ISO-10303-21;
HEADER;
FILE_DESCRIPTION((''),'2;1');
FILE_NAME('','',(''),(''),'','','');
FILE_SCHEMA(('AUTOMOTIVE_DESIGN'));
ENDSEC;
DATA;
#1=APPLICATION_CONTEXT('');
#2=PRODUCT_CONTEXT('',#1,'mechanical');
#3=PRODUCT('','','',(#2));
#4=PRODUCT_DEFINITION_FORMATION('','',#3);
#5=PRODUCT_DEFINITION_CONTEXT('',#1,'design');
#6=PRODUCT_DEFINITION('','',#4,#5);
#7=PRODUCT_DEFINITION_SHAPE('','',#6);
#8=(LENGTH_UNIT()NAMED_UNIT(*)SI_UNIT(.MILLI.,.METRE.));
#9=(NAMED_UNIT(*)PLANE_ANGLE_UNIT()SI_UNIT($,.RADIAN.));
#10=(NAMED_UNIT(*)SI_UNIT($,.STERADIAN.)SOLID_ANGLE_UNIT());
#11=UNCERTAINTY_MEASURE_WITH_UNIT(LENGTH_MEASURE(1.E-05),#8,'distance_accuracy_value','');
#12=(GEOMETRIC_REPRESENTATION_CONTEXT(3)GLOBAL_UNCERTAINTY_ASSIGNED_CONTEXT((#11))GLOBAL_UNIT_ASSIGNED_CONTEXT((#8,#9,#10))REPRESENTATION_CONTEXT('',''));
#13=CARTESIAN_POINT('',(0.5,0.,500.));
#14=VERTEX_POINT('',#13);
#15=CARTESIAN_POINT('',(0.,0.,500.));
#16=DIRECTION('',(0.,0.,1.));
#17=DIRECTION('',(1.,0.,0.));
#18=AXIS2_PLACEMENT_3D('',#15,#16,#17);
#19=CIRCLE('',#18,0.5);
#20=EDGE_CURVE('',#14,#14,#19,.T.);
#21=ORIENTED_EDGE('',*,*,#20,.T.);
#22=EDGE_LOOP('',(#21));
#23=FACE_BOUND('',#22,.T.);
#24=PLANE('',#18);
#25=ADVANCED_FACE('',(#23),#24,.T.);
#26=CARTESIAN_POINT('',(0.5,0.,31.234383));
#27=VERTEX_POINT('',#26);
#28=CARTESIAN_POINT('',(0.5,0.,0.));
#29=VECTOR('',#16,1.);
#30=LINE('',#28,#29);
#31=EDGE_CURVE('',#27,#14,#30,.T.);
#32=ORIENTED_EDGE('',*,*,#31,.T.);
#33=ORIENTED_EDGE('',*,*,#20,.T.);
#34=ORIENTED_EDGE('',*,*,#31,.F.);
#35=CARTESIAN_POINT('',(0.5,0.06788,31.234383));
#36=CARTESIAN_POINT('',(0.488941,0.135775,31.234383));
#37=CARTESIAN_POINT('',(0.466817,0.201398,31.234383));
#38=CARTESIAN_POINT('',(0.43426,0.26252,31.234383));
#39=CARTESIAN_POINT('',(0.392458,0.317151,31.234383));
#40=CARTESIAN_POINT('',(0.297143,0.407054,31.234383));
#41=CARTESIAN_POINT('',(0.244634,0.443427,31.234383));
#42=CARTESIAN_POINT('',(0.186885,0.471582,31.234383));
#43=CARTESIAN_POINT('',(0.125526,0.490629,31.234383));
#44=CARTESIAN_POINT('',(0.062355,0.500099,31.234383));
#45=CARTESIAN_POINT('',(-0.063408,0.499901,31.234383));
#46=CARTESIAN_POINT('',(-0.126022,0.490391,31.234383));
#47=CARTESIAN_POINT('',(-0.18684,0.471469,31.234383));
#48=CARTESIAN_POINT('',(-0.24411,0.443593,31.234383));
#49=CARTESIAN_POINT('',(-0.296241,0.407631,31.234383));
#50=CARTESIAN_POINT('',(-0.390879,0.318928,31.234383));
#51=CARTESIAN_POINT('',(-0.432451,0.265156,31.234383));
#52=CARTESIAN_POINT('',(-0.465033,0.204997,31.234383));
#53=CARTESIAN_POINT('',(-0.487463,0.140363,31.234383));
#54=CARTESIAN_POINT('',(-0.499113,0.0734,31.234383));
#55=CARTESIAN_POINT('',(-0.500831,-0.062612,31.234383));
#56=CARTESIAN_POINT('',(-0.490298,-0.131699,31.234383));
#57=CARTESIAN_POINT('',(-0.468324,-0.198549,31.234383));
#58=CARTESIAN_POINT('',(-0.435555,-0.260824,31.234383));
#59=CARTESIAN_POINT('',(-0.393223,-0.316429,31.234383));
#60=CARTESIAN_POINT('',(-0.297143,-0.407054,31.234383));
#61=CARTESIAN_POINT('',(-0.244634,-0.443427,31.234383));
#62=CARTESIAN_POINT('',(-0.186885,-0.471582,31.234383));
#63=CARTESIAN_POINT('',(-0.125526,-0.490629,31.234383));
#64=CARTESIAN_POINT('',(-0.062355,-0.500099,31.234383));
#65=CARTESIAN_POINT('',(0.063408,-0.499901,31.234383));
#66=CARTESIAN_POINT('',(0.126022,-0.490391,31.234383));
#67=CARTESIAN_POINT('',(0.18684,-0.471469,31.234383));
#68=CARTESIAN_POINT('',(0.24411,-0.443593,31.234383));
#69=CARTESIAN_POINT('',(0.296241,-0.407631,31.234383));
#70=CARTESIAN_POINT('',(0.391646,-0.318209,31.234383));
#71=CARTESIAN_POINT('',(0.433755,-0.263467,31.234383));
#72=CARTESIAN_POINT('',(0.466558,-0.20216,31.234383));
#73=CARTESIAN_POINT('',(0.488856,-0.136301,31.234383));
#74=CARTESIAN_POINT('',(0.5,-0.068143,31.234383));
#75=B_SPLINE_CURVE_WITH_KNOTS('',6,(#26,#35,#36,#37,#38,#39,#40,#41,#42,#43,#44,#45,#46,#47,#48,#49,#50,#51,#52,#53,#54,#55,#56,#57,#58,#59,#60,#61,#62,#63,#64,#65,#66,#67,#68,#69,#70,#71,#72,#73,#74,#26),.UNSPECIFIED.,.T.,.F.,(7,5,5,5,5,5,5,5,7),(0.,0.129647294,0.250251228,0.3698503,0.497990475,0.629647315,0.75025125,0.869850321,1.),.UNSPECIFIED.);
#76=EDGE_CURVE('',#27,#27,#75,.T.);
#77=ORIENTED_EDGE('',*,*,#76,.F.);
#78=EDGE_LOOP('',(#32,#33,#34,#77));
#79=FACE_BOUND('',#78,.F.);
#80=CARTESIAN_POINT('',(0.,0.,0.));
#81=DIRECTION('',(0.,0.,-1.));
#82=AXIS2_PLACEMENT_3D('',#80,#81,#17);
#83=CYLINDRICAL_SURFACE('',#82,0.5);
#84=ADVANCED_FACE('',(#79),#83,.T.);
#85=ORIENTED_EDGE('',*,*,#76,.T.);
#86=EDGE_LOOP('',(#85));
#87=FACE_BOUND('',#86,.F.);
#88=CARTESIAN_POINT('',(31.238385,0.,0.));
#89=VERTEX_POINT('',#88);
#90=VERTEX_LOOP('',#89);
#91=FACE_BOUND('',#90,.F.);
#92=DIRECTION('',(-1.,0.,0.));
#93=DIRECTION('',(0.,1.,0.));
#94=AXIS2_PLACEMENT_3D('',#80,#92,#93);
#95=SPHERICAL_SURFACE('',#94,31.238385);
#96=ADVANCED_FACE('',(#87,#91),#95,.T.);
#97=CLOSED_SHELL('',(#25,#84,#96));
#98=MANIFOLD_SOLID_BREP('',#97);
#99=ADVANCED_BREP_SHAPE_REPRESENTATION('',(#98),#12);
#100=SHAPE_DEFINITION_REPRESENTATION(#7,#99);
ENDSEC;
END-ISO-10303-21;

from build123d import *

# Parameters (mm, degrees)
F2_R     = 0.5
F3_DEPTH = 500


with BuildPart() as f1:
    # F0 (on Top) → F1 (revolve)
    with BuildSketch(Plane.XY):
        with BuildLine():
            Line((0, 0), (31.238385, 0))
            ThreePointArc((31.238385, 0), (0, 31.238385), (-31.238385, 0))
            Line((-31.238385, 0), (0, 0))
        make_face()
    revolve(axis=Axis((15.619193, 0, 0), (1, 0, 0)))

    # F2 (on Top) → F3 (join)
    with BuildSketch(Plane.XY):
        Circle(F2_R)
    extrude(amount=F3_DEPTH)


solid = f1.part
